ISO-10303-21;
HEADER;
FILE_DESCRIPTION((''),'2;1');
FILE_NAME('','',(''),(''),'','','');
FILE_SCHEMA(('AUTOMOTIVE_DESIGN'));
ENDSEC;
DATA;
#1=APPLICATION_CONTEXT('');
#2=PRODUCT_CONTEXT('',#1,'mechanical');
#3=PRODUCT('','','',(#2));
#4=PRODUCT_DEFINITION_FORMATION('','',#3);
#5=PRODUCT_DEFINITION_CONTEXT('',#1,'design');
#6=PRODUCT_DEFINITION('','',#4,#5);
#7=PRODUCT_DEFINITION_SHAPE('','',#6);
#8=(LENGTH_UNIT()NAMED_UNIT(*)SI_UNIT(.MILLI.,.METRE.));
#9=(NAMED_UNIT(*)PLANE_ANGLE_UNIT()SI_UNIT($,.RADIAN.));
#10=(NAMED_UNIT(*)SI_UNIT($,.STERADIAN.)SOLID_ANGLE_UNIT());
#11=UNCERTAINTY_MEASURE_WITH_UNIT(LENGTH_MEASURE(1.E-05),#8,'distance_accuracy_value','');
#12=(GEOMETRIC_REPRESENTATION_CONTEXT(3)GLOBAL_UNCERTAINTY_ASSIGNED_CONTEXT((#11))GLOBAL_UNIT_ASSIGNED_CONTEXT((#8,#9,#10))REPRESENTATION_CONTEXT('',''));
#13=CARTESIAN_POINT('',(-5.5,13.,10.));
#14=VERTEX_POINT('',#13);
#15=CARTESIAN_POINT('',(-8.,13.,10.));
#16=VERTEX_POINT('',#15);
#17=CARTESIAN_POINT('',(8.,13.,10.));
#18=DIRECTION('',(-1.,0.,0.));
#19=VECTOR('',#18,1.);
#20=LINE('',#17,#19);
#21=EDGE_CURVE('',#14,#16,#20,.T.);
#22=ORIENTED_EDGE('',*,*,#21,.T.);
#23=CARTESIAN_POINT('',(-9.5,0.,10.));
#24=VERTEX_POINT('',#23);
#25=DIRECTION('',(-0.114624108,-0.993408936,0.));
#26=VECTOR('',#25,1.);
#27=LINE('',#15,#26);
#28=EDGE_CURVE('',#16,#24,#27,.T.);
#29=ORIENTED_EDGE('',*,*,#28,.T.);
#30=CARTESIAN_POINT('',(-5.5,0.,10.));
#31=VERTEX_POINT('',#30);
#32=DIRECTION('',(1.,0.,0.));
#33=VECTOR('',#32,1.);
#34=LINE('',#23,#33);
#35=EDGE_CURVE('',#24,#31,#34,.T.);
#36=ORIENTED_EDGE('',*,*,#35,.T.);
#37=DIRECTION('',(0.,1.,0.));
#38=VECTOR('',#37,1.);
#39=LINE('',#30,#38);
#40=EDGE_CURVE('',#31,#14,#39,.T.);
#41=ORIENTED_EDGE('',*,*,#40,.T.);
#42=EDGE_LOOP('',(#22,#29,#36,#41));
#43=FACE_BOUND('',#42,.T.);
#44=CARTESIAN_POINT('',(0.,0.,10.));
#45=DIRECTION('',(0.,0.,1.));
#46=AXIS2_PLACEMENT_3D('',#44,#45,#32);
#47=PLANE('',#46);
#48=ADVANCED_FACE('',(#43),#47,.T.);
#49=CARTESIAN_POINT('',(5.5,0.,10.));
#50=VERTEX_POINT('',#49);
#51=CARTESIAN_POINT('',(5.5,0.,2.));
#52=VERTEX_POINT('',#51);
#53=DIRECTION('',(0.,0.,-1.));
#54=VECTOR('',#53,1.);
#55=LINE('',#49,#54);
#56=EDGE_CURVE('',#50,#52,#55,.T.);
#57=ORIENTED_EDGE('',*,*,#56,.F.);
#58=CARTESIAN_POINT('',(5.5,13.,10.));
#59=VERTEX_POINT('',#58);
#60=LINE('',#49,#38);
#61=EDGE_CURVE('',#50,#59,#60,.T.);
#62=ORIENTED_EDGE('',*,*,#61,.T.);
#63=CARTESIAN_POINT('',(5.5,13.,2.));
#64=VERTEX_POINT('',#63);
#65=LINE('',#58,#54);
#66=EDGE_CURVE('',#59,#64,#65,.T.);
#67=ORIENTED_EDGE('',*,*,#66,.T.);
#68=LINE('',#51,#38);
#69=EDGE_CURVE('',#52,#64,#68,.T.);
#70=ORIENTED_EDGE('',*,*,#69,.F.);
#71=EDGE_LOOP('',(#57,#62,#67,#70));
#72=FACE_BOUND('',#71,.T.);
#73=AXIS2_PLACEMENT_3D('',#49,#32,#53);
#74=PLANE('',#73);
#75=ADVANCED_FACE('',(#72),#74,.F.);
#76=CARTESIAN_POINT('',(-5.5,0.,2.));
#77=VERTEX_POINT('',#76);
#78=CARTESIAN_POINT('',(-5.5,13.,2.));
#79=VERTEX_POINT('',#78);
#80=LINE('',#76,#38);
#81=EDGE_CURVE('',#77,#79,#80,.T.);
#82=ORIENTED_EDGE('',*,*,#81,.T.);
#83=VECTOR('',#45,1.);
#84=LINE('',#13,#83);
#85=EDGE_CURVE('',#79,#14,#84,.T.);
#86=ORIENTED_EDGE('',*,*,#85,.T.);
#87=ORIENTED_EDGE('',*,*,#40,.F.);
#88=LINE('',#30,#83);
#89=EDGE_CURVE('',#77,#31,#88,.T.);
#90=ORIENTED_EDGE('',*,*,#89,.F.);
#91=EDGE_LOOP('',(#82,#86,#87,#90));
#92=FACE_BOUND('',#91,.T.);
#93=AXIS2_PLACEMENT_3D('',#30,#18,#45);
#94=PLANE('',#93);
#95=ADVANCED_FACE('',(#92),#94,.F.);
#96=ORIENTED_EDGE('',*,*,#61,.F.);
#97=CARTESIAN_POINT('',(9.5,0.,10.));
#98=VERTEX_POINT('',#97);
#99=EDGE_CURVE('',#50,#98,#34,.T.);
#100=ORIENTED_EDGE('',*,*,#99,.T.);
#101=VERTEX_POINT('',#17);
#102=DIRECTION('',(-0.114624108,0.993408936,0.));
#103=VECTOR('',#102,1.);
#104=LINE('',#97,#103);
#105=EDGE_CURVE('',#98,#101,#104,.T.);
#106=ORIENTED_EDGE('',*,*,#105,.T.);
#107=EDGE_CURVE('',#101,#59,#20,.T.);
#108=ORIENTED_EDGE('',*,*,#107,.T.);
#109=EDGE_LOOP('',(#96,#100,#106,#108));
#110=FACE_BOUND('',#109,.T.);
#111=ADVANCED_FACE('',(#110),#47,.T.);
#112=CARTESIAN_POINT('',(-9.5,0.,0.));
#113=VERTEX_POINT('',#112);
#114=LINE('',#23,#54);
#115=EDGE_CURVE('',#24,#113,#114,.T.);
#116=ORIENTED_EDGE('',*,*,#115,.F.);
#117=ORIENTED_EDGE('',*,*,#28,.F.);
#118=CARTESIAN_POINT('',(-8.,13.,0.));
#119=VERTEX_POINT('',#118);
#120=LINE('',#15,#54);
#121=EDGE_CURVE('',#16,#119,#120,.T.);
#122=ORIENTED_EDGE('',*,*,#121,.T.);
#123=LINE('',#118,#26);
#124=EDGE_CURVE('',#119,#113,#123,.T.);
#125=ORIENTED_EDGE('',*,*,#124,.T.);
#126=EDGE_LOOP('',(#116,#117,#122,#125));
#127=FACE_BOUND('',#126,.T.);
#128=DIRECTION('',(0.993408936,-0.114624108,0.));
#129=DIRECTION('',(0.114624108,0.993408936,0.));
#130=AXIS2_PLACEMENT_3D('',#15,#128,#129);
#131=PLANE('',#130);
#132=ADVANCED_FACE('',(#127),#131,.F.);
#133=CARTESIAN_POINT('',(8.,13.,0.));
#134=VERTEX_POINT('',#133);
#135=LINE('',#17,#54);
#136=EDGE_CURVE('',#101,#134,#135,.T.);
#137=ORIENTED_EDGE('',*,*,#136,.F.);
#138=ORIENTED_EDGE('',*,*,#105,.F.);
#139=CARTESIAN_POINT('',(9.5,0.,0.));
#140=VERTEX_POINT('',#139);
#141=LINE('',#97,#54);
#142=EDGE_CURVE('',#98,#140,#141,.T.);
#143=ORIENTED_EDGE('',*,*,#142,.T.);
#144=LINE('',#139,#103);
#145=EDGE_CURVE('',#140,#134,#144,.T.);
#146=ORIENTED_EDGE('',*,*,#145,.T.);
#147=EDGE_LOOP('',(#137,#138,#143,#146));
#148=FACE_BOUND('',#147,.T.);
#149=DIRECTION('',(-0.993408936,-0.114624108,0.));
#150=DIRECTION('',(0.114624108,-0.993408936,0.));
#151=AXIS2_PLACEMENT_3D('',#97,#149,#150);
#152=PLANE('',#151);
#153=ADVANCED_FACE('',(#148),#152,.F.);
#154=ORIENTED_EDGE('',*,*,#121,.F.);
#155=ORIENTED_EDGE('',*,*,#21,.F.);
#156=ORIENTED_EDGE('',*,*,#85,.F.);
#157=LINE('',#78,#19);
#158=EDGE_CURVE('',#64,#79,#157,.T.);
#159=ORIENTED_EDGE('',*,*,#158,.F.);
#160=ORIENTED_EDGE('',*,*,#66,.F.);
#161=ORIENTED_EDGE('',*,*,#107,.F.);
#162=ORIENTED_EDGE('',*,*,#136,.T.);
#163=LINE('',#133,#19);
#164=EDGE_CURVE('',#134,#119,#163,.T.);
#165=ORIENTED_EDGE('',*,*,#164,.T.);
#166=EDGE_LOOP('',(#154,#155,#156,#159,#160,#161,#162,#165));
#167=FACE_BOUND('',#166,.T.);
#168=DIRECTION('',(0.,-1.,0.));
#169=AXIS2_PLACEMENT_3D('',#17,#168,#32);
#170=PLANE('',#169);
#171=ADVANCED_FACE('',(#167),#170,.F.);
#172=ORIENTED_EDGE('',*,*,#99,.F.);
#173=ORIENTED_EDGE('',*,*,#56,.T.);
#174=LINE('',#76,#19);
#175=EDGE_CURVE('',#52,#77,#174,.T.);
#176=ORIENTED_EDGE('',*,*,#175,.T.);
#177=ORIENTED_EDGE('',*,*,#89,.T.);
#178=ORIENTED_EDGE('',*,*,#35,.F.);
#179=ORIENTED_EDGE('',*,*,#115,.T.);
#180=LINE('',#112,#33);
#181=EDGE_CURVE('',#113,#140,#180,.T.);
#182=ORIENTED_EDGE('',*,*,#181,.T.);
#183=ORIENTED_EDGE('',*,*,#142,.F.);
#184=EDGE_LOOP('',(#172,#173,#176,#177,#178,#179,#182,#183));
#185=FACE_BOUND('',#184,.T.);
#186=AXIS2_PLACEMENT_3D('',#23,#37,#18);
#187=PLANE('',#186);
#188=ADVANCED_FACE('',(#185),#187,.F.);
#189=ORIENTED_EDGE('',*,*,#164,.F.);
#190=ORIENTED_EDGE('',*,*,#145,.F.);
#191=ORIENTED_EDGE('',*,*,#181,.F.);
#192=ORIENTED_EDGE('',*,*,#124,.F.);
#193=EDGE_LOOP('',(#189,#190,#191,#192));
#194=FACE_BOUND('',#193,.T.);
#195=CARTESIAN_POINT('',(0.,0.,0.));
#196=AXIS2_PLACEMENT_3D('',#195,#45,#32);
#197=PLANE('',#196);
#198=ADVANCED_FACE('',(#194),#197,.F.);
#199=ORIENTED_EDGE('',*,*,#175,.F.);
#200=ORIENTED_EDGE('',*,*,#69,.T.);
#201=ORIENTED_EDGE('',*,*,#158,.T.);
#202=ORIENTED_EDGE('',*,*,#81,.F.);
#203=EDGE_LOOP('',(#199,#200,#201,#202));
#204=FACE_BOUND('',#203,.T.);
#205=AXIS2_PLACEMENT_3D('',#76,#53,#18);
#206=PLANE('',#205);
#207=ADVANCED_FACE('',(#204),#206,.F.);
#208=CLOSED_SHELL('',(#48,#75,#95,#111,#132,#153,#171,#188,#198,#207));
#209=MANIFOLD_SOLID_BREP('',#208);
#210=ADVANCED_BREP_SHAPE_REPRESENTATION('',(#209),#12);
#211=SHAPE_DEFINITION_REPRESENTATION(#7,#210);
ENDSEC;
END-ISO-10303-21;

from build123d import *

# Parameters (mm, degrees)
EXTRUDE_1_DEPTH     = 10
SKETCH_2_W          = 11
SKETCH_2_H          = 8
CUT_EXTRUDE_1_DEPTH = 19.953891421


with BuildPart() as part:
    # Эскиз1 → Бобышка-Вытянуть1 (new body)
    with BuildSketch(Plane.XY):
        Polygon((-9.5, 0), (9.5, 0), (8, 13), (-8, 13), align=None)
    extrude(amount=EXTRUDE_1_DEPTH)

    # Эскиз2 → Вырез-Вытянуть1 (cut, through all)
    with BuildSketch(Plane(origin=(0, 13, 0), x_dir=(1, 0, 0), z_dir=(0, 1, 0))):
        with Locations((0, -6)):
            Rectangle(SKETCH_2_W, SKETCH_2_H)
    extrude(amount=-CUT_EXTRUDE_1_DEPTH, mode=Mode.SUBTRACT)


solid = part.part
